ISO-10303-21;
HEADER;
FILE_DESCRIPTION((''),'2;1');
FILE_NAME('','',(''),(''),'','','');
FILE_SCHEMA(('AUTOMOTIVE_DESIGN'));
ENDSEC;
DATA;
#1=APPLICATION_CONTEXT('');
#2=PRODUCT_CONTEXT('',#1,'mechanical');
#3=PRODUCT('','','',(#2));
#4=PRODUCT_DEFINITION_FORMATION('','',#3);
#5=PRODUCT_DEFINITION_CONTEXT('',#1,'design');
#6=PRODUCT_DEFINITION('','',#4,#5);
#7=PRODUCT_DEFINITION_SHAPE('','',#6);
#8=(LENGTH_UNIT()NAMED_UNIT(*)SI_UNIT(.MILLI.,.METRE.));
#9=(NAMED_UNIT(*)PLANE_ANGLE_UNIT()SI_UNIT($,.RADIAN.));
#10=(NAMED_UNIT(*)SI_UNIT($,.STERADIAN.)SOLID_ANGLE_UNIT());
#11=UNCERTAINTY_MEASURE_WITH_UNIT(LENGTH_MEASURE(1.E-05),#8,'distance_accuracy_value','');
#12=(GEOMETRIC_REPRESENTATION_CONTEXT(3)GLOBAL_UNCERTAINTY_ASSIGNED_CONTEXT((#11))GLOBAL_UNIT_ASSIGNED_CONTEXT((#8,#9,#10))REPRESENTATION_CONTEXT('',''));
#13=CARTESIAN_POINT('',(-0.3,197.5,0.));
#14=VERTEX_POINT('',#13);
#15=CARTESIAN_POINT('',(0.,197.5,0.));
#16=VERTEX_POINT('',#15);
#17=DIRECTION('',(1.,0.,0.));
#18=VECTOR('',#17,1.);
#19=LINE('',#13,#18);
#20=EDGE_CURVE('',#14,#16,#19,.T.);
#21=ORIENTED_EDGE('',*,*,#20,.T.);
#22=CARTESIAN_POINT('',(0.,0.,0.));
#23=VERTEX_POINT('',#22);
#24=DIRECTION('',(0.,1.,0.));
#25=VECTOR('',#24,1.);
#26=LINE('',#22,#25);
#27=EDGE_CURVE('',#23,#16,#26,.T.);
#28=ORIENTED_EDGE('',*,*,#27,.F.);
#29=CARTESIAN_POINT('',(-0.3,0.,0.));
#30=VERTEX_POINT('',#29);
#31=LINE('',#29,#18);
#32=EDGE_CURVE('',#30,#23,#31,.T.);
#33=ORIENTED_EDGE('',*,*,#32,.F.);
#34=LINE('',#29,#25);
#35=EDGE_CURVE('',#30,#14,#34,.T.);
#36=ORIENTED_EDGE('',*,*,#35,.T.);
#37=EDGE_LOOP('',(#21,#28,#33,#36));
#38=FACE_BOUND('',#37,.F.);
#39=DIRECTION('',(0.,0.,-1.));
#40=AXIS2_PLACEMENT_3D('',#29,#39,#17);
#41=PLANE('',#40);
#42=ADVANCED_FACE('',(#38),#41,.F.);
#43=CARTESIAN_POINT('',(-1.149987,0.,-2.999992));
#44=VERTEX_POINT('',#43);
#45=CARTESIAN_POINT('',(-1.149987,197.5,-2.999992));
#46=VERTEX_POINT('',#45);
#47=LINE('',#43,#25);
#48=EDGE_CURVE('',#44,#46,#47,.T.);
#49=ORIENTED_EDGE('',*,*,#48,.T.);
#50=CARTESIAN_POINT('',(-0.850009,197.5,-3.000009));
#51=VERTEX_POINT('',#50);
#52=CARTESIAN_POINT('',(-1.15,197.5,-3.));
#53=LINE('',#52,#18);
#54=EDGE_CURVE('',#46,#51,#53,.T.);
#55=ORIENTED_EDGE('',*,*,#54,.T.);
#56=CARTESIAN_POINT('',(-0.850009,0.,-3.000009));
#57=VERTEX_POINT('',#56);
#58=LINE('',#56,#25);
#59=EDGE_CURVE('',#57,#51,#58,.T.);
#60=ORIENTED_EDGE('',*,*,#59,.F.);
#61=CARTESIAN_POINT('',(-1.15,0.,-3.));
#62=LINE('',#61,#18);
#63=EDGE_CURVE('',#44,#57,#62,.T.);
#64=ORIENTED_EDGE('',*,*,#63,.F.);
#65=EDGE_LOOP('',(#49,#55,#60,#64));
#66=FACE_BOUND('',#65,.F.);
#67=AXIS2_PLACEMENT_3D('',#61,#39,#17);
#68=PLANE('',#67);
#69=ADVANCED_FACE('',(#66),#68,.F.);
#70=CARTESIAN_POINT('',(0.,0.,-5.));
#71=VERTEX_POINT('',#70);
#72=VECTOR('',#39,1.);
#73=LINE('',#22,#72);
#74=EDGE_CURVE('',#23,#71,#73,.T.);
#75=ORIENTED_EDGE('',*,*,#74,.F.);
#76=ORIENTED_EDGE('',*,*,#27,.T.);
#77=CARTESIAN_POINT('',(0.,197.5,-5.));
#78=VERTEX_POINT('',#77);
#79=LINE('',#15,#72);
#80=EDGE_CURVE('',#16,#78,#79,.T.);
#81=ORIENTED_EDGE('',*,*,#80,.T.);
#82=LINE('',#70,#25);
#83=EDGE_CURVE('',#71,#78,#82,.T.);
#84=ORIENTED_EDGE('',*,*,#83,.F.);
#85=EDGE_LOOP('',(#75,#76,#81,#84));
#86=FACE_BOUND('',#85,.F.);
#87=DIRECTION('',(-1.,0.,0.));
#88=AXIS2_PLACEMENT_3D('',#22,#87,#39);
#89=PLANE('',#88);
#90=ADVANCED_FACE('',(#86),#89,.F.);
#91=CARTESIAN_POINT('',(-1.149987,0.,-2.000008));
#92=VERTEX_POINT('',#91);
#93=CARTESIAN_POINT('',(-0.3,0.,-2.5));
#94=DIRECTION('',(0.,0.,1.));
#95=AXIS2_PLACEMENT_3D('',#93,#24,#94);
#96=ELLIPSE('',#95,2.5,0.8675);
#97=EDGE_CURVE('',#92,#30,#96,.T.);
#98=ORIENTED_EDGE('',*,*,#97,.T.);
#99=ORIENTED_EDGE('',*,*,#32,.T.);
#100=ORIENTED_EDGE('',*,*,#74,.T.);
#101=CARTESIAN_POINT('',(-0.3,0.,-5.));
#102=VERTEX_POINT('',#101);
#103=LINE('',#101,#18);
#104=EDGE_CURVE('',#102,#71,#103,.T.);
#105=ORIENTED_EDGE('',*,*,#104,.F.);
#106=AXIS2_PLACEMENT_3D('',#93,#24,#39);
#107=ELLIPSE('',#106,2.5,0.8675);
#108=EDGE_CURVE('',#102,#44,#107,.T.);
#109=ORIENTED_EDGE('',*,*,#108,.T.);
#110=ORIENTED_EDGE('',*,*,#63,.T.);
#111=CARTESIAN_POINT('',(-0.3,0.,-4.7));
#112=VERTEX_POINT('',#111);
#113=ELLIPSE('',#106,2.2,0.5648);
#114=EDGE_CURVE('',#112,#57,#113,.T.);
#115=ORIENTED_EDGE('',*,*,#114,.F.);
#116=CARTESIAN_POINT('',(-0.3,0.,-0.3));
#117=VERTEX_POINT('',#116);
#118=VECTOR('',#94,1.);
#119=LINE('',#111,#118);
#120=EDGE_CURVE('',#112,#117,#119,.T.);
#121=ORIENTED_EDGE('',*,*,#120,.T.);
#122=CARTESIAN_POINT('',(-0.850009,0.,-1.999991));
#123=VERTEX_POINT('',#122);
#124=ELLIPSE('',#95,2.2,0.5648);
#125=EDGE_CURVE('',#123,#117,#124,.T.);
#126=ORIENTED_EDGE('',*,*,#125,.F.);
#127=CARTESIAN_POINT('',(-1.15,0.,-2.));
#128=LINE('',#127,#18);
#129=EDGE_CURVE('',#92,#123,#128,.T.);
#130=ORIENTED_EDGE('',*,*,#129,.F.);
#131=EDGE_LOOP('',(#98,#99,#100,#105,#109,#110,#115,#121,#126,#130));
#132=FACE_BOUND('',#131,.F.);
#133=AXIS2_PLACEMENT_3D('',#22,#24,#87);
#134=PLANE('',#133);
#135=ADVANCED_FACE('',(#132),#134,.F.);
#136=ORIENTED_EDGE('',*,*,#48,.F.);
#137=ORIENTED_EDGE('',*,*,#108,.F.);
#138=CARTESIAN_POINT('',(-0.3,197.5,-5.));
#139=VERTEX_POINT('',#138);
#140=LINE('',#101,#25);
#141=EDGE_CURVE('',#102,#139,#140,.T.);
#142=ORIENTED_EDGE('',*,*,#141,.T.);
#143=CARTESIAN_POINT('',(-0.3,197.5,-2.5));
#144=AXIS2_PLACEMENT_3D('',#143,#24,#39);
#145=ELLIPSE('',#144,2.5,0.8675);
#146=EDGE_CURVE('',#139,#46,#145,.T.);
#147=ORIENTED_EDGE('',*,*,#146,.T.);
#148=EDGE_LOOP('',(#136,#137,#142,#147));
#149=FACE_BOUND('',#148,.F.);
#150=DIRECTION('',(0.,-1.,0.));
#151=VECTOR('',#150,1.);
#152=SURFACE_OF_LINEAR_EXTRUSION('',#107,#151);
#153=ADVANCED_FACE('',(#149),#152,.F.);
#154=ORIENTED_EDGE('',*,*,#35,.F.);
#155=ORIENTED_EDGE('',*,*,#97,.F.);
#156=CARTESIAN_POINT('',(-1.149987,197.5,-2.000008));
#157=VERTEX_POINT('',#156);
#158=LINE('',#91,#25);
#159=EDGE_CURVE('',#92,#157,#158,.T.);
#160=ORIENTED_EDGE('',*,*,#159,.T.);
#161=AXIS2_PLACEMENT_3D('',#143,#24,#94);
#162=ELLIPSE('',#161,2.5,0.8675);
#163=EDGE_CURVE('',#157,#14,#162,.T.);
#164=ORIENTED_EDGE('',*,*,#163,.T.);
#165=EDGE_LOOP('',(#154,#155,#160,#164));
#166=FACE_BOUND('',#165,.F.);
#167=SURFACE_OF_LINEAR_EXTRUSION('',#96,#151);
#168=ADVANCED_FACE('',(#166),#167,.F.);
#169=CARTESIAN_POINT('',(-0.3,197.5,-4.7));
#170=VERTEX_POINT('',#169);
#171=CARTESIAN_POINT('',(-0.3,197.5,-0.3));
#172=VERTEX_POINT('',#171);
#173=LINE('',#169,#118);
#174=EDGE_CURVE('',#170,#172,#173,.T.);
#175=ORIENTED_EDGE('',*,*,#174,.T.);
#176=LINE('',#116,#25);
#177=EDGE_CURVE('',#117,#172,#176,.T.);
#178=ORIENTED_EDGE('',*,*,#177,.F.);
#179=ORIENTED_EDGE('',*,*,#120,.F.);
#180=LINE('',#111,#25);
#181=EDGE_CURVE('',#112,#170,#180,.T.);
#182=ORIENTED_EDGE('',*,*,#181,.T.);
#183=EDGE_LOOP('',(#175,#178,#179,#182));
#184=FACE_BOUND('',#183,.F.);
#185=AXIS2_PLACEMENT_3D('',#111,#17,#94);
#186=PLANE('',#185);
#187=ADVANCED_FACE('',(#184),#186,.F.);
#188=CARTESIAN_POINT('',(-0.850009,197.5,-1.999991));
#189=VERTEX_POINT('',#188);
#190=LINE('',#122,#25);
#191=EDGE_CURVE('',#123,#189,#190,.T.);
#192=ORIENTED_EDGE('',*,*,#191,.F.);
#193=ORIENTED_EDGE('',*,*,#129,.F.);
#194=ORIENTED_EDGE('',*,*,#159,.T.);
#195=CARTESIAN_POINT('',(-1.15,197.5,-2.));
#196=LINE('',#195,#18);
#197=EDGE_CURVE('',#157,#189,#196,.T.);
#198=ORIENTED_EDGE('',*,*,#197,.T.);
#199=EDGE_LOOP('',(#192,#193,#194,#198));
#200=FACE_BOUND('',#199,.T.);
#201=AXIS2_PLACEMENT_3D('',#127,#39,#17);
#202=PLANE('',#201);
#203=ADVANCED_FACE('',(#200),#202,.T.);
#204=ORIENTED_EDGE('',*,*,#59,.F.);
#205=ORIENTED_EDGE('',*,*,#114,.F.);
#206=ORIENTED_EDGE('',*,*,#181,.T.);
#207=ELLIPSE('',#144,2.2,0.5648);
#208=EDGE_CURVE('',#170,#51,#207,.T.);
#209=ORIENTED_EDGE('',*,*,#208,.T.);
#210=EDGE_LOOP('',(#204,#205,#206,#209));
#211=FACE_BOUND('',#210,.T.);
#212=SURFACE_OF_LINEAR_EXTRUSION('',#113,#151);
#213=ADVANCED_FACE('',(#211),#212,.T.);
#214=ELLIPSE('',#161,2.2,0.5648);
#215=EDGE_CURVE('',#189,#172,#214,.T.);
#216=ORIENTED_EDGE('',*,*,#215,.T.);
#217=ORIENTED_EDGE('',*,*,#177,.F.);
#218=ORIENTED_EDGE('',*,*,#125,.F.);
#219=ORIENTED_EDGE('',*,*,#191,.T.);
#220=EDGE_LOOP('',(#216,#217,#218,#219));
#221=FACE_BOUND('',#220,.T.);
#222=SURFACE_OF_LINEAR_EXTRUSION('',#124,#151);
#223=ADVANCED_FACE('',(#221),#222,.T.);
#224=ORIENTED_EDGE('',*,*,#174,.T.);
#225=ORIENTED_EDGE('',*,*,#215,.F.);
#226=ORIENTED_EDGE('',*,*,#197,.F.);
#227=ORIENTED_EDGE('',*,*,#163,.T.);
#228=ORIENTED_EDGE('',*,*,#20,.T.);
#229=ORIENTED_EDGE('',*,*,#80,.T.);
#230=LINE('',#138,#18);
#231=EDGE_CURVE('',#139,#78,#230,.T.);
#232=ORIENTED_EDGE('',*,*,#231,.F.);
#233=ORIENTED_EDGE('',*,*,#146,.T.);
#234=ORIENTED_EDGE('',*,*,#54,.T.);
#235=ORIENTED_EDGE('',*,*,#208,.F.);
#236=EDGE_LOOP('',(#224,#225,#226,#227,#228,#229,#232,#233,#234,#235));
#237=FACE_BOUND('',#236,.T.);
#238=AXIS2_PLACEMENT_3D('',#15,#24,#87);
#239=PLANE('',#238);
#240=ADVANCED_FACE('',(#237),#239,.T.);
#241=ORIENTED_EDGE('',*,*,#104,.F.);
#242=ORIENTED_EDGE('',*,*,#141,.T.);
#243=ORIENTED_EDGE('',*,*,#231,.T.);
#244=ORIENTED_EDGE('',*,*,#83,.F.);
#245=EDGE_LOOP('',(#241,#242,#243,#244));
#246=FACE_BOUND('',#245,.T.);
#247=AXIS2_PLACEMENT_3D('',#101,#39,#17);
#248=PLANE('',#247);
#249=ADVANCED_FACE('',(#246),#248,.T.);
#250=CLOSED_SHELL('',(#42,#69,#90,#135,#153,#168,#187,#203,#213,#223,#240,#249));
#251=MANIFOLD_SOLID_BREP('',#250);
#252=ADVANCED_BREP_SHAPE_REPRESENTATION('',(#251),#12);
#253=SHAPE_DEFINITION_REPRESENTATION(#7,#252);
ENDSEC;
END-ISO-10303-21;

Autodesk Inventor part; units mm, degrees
ref_plane "YZ Plane" through (0, 0, 0) normal (1, 0, 0) x (0, 1, 0)
ref_plane "XZ Plane" through (0, 0, 0) normal (0, 1, 0) x (-1, 0, 0)
ref_plane "XY Plane" through (0, 0, 0) normal (0, 0, 1) x (1, 0, 0)
sketch "Skizze2" plane through (0, 0, 0) normal (0, 1, 0) x (-1, 0, 0)
  line L0 (0, -5) -> (0, 0) construction
  line L1 (0.85, -4.7) -> (0.85, -0.3) construction
  line L2 (0.85, -0.3) -> (0.3, -0.3) construction
  line L3 (0.3, -0.3) -> (0.3, -4.7) construction
  line L4 (0.3, -4.7) -> (0.85, -4.7) construction
  line L5 (-0.0744, -2.5) -> (0, -2.5) construction
  line L6 (1.15, -3) -> (0.85, -3)
  line L7 (0, 0) -> (0, -5)
  line L8 (0.3, -4.7) -> (0.3, -0.3)
  line L9 (0.3, -4.7) -> (0.3, -5) construction
  line L10 (0.3, -0.3) -> (0.3, 0) construction
  line L11 (0.3, 0) -> (0, 0) construction
  line L12 (0.3, 0) -> (0, 0)
  line L13 (0.3, -5) -> (0, -5)
  line L14 (0, -2.5) -> (0.3, -2.5) construction
  ellipse E0 centre (0.3, -2.5) end of major axis (0.3, -5) minor radius 0.8675 (0.3, -5) -> (1.15, -3) ccw
  ellipse E1 centre (0.3, -2.5) end of major axis (0.3, -4.7) minor radius 0.5648 (0.3, -4.7) -> (0.85, -3) ccw
  line L15 (1.15, -2) -> (0.85, -2)
  line L16 (1.15, -3) -> (1.15, -2) construction
  ellipse E2 centre (0.3, -2.5) end of major axis (0.3, -0.3) minor radius 0.5648 (0.85, -2) -> (0.3, -0.3) ccw
  ellipse E3 centre (0.3, -2.5) end of major axis (0.3, 0) minor radius 0.8675 (1.15, -2) -> (0.3, 0) ccw
  dimension "d3" = 0.5
  dimension "d7" = 5
  dimension "d8" = 1.15
  dimension "d9" = 0.3
  dimension "d10" = 0.3
  dimension "d11" = 0.3
  dimension "d12" = 0.5
extrude "Extrusion1" add sketch "Skizze2" along normal blind 197.5
equation "\"Biegeradius\" = Stärke"
equation "\"BreiteBiegungsfreistellung\" = Stärke"
equation "\"TiefeBiegungsfreistellung\" = 0.5 * Stärke"
equation "\"GrößeEckenfreistellung\" = 4 * Stärke"
equation "\"MinimalRest\" = 2 * Stärke"
equation "\"Übergangsradius\" = Biegeradius"
equation "\"JacobiRadiusGröße\" = Biegeradius"
equation "\"Abstandsgröße\" = Stärke"
equation "\"Stärke\" = 0.5"
properties part number "Boden_airline_rund"
